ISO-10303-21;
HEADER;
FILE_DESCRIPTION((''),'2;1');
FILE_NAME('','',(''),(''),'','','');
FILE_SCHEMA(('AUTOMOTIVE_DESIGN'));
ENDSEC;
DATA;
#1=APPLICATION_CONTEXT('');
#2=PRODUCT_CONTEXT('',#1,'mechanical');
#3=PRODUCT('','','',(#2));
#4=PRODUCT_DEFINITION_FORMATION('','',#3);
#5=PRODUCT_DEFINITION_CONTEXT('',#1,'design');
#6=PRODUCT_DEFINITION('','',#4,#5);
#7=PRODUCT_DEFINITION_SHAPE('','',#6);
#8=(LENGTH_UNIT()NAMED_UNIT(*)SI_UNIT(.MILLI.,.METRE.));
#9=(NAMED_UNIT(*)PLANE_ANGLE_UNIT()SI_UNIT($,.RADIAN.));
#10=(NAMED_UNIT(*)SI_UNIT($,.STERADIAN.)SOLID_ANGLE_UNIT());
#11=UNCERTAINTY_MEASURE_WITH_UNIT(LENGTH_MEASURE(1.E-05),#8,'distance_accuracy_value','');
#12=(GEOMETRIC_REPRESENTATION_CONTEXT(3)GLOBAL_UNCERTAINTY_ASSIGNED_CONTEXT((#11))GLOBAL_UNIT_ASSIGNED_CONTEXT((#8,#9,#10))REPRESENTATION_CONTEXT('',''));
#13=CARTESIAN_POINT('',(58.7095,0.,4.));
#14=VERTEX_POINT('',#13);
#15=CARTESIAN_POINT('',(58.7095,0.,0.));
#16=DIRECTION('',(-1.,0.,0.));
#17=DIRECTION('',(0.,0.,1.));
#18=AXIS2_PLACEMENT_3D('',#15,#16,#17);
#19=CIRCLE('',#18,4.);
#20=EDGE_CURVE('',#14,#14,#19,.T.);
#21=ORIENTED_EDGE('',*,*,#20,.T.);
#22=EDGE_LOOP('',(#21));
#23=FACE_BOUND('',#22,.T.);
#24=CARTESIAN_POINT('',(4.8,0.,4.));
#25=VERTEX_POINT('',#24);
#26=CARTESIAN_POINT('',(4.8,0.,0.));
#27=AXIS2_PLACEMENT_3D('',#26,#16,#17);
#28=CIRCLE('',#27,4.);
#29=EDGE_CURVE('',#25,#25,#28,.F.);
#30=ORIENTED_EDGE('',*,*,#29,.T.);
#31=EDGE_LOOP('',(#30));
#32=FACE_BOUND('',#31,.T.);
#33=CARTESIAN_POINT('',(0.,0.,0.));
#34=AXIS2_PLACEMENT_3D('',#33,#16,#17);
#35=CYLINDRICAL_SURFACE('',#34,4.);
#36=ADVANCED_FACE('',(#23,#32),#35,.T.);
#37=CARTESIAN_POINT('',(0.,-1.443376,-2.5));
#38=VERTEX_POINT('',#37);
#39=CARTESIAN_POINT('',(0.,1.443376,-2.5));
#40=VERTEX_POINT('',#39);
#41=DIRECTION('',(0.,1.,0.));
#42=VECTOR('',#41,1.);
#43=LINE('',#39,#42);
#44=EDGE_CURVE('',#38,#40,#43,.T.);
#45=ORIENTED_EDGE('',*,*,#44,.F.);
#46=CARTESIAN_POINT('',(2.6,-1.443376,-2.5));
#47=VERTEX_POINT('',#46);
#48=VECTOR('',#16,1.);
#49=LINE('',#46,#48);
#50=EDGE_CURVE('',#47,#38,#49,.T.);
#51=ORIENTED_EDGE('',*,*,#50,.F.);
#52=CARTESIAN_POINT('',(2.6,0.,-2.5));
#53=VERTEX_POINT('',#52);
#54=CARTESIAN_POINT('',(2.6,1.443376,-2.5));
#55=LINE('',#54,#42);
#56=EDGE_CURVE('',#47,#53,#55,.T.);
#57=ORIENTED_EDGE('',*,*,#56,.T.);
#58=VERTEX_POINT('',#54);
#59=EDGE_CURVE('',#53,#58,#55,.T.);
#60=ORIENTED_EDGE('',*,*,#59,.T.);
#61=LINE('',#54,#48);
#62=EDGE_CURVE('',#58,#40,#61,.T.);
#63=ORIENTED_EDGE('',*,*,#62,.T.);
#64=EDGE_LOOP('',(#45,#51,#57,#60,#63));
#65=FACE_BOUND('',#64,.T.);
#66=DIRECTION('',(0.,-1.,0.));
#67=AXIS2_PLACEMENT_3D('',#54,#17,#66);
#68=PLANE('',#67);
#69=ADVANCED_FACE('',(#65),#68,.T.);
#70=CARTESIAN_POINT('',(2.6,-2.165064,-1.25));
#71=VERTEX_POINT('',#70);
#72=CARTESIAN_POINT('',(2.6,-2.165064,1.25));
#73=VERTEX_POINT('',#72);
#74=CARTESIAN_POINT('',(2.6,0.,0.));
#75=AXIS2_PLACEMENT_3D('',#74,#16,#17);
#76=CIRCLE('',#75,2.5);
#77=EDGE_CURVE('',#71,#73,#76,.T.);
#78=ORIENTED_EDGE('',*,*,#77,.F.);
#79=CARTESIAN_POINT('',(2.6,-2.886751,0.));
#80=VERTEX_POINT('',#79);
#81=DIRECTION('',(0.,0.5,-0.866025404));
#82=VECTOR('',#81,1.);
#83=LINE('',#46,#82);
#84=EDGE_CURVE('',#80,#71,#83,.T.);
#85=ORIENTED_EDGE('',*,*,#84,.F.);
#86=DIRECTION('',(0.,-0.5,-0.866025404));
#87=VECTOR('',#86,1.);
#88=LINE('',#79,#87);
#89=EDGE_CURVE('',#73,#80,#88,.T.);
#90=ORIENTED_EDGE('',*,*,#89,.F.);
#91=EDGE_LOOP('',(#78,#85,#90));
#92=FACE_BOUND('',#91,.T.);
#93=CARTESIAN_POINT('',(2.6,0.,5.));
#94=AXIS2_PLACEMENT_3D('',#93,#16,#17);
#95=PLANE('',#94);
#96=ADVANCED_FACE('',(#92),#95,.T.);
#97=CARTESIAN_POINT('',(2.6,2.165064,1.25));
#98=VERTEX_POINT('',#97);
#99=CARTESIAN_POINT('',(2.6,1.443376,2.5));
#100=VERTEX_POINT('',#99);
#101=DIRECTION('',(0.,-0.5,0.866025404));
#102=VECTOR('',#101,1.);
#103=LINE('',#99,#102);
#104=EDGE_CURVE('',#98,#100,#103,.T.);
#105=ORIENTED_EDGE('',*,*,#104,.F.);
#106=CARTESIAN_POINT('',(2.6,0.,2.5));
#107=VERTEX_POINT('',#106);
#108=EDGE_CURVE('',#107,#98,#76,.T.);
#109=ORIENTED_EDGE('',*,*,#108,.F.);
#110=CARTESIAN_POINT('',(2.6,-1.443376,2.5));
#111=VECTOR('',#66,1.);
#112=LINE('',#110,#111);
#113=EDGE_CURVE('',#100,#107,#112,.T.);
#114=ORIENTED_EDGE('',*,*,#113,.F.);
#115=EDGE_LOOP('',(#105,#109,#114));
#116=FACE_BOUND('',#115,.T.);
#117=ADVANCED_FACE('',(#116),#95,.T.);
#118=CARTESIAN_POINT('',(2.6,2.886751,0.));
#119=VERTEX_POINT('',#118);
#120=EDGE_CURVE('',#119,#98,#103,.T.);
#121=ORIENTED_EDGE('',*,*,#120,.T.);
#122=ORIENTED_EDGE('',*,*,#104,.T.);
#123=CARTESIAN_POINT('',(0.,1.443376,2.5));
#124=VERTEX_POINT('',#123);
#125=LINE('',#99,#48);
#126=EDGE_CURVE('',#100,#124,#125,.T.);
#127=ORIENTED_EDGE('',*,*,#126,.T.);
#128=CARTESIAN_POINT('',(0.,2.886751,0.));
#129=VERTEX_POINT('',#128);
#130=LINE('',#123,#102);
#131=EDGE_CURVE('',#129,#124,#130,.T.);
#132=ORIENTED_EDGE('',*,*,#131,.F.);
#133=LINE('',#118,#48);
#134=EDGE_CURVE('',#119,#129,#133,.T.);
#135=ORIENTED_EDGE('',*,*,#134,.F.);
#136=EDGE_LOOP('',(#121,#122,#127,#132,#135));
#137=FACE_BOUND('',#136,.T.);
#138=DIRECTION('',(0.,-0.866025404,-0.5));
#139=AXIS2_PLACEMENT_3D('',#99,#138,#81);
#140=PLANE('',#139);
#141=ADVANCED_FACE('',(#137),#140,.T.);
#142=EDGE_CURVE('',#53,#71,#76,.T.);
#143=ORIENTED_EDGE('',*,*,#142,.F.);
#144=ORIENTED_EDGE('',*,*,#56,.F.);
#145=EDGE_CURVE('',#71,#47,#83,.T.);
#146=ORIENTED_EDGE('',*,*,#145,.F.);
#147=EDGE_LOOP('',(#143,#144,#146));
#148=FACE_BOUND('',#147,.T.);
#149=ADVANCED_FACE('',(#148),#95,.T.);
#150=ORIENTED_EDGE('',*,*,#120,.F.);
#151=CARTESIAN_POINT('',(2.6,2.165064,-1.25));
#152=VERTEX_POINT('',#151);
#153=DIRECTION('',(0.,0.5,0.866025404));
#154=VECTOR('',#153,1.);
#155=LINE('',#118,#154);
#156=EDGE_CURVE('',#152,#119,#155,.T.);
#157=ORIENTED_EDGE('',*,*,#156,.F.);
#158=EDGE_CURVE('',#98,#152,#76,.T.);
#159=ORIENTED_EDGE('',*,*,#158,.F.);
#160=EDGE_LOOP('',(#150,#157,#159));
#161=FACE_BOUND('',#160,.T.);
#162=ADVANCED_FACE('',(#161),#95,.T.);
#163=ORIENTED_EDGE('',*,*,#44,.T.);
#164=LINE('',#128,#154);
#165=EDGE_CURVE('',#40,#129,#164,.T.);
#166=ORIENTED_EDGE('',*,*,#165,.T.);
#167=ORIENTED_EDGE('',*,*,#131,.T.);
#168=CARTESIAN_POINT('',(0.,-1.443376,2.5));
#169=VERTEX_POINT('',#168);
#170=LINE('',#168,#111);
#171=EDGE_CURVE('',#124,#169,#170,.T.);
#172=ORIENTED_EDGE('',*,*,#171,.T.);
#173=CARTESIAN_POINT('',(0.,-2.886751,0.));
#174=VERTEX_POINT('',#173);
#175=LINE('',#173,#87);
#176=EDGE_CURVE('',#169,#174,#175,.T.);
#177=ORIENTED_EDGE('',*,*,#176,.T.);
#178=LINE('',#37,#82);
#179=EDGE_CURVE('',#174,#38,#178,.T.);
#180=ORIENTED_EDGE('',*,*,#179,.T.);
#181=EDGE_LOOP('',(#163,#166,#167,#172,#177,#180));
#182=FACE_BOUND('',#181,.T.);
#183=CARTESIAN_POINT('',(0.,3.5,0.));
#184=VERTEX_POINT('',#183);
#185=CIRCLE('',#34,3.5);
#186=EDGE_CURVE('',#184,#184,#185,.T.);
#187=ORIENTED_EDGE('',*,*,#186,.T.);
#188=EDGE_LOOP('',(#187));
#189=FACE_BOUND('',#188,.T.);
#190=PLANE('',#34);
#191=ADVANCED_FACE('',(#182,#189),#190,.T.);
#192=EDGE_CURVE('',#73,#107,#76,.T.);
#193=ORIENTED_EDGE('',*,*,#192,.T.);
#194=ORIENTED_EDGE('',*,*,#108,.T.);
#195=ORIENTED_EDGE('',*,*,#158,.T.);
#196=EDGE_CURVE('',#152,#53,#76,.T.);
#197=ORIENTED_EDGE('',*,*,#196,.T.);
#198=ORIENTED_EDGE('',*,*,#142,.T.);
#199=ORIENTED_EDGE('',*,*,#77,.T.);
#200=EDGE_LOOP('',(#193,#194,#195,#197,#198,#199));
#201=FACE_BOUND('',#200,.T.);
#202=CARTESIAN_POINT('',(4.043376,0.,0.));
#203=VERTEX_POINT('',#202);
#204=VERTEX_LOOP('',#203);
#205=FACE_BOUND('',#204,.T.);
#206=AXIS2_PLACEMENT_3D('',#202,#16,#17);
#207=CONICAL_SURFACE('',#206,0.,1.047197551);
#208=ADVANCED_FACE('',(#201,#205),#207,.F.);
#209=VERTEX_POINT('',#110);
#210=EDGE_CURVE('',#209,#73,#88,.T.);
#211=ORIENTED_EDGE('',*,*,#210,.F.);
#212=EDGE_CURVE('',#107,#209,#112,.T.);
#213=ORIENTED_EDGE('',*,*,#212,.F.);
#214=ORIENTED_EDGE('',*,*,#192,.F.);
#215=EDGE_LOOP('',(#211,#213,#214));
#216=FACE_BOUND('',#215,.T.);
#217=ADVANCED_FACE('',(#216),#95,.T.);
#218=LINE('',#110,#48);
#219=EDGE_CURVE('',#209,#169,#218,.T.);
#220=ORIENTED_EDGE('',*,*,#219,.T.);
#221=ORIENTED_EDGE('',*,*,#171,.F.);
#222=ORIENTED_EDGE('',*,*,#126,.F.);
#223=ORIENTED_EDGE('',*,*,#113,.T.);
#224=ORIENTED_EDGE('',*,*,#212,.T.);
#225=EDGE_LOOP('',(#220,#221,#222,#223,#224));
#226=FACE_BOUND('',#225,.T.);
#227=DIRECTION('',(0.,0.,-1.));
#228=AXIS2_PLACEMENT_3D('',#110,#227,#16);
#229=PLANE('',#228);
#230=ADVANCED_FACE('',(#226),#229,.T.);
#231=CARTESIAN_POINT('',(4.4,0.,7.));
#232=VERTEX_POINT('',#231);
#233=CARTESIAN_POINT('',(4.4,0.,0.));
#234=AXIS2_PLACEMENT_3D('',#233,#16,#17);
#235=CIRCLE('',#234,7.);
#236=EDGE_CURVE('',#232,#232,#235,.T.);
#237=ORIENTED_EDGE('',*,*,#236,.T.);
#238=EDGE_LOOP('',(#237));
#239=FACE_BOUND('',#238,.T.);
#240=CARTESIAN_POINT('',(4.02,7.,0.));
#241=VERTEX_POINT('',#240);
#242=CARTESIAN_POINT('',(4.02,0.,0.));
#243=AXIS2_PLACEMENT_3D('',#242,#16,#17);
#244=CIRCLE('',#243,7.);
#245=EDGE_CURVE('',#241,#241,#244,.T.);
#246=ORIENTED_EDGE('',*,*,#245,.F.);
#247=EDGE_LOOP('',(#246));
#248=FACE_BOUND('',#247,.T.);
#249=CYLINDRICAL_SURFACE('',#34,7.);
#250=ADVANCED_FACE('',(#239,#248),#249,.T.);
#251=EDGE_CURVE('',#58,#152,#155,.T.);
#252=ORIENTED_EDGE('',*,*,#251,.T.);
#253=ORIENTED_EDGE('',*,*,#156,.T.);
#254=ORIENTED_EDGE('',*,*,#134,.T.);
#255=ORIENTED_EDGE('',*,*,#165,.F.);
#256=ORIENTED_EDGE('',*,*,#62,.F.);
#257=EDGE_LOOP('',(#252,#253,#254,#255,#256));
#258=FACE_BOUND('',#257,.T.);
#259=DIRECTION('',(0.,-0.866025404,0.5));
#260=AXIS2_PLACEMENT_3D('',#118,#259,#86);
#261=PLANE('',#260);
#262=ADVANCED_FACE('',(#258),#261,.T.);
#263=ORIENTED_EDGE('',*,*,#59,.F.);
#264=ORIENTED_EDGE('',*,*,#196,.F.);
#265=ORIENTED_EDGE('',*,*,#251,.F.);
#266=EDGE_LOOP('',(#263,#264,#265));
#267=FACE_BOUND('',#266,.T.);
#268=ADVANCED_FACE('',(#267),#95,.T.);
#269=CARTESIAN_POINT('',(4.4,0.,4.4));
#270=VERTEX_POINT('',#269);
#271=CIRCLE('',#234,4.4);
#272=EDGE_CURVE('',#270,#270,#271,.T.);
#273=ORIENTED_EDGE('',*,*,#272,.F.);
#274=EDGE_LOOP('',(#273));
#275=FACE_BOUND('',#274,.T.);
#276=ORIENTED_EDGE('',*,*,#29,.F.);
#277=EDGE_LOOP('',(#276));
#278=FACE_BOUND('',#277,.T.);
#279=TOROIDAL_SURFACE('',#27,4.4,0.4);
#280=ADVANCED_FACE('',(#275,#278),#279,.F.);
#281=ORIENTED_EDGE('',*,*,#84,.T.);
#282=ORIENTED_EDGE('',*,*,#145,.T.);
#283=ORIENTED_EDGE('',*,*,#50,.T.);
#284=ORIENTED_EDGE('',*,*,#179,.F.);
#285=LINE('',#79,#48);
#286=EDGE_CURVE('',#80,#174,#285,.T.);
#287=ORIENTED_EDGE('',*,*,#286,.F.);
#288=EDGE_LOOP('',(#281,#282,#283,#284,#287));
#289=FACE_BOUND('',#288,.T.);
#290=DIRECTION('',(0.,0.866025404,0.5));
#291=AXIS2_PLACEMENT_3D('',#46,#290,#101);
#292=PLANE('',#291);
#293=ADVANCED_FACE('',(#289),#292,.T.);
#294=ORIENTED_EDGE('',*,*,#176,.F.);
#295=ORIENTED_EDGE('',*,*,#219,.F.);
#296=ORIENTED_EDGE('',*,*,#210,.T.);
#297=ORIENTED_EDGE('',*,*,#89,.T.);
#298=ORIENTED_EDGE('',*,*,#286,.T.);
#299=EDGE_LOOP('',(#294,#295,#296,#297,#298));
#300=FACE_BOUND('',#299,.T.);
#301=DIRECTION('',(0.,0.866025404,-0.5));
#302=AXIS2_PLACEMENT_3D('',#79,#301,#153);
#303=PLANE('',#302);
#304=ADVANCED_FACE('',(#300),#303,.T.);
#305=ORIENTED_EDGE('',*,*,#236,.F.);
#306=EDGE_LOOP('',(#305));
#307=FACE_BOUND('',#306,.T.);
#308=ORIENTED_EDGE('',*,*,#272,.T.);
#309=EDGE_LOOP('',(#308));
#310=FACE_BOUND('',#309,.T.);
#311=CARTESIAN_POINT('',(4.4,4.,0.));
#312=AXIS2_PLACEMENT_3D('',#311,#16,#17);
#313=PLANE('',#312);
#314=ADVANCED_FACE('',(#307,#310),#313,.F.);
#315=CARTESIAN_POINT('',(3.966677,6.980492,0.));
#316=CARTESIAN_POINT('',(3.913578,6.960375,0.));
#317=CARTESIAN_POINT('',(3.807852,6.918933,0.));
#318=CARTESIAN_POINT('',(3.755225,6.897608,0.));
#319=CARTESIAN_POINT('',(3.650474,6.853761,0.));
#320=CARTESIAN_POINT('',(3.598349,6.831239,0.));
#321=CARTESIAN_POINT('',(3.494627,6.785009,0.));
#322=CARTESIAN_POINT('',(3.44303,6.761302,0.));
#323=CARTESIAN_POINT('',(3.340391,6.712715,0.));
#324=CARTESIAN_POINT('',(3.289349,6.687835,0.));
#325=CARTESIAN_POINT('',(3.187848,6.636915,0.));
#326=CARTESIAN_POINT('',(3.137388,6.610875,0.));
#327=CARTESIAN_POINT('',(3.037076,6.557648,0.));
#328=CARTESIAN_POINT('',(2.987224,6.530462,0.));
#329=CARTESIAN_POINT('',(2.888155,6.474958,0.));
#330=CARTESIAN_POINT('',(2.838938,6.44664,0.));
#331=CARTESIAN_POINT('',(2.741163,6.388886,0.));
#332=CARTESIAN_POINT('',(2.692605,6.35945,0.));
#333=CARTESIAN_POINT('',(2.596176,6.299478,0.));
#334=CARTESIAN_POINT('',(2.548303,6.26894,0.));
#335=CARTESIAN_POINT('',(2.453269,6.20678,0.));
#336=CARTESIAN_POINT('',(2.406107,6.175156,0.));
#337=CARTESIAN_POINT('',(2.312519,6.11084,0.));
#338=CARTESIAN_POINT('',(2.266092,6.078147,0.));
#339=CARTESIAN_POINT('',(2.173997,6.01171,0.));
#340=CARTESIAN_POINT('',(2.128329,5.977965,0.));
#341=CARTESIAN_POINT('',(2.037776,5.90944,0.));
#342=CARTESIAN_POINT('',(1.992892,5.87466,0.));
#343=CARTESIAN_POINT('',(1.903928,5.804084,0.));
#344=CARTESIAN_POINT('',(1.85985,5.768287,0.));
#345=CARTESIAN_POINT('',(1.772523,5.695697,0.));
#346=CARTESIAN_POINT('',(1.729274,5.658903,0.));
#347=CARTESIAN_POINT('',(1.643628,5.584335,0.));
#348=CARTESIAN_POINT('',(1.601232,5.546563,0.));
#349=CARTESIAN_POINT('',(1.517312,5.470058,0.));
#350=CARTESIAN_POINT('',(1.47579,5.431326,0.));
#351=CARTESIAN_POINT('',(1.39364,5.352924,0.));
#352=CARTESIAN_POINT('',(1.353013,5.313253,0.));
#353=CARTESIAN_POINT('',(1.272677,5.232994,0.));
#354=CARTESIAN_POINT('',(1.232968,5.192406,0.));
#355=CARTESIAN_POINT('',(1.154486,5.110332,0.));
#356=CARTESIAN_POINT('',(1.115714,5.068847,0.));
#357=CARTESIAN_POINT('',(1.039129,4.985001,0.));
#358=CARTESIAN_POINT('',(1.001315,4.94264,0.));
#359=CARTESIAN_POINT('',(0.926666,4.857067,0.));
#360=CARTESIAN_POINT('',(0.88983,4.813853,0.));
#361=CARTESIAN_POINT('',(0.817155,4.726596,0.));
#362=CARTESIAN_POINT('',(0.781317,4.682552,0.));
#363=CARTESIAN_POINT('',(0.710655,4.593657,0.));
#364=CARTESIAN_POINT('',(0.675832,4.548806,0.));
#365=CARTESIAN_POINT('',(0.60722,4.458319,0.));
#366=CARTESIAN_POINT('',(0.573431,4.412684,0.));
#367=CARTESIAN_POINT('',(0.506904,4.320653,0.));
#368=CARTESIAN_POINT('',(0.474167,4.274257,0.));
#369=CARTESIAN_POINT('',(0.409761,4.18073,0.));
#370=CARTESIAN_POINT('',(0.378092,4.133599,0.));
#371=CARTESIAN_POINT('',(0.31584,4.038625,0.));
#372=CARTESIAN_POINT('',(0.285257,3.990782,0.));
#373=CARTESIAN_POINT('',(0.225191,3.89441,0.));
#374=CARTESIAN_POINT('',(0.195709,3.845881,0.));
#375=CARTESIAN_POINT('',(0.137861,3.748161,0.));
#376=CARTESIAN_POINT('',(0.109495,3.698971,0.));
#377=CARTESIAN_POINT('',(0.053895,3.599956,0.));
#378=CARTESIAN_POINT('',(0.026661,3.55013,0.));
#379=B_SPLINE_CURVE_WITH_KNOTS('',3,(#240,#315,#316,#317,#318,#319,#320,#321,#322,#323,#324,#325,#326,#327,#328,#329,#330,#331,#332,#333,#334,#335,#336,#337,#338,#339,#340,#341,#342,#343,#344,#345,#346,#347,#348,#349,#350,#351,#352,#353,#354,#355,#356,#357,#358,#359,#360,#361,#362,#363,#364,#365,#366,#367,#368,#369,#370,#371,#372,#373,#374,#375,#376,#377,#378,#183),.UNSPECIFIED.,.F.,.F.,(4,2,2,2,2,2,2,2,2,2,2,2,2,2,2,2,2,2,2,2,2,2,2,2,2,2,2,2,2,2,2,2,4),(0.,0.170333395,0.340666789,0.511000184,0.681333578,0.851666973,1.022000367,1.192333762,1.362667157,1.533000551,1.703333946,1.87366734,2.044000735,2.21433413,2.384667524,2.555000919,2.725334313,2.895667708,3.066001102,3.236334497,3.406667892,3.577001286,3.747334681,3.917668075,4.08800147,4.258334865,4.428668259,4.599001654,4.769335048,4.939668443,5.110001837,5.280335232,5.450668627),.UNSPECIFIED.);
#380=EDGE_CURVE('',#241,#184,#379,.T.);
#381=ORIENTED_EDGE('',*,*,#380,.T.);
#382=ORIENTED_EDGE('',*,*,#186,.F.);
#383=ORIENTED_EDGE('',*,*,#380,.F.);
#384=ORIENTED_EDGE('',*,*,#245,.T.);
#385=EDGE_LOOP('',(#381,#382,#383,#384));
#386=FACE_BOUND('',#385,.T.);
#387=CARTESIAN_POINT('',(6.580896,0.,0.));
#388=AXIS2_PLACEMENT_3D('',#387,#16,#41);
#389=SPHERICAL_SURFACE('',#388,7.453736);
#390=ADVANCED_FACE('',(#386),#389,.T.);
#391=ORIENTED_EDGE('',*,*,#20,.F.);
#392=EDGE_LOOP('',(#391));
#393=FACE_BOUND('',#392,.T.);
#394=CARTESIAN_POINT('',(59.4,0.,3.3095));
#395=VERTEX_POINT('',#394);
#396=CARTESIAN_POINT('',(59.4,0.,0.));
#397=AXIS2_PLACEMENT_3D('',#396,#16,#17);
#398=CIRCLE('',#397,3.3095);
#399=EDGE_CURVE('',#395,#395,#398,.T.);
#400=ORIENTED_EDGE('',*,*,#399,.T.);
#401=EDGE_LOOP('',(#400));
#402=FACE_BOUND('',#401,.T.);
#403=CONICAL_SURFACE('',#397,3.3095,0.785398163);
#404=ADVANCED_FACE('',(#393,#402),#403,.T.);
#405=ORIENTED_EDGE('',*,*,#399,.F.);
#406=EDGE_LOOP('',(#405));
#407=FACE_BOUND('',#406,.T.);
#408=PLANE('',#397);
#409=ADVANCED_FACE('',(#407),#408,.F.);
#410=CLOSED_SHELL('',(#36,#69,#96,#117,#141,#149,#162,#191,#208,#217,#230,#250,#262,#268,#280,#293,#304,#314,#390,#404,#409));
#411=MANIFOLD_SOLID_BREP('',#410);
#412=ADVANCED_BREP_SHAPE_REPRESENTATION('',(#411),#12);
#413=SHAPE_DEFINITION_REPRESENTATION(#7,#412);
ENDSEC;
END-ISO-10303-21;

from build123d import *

# Parameters (mm, degrees)
FILLET1_R   = 0.4
HEX_2_DEPTH = 2.6


with BuildPart() as part:
    # BodySke → BaseBody (revolve)
    with BuildSketch(Plane.XY, mode=Mode.PRIVATE) as basebody_sk:
        with BuildLine():
            Line((59.4, 0), (59.4, 3.3095))
            Line((59.4, 3.3095), (58.7095, 4))
            Line((58.7095, 4), (4.4, 4))
            Line((4.4, 4), (4.4, 7))
            Line((4.4, 7), (4.02, 7))
            ThreePointArc((4.02, 7), (1.686451133, 5.621618984), (0, 3.5))
            Line((0, 3.5), (0, 0))
            Line((0, 0), (59.4, 0))
        make_face()
    revolve(basebody_sk.sketch.rotate(Axis((0, 0, 0), (1, 0, 0)), 90), axis=Axis((0, 0, 0), (1, 0, 0)))

    # Fillet1
    fillet1_edges = [part.edges().sort_by_distance(p)[0] for p in [
        (4.4, 0, -4),
    ]]
    fillet(fillet1_edges, radius=FILLET1_R)

    # Sketch2 → PreBroach (revolve, cut)
    with BuildSketch(Plane.XY, mode=Mode.PRIVATE) as prebroach_sk:
        Polygon((0, 2.5), (2.6, 2.5), (4.043375673, 0), (0, 0), align=None)
    revolve(prebroach_sk.sketch.rotate(Axis((0, 0, 0), (1, 0, 0)), 90), axis=Axis((0, 0, 0), (1, 0, 0)), mode=Mode.SUBTRACT)

    # Sketch3 → Hex 2 (cut)
    with BuildSketch(Plane(origin=(0, 0, 0), x_dir=(0, 0, -1), z_dir=(1, 0, 0))):
        Polygon((-2.5, -1.443375673), (-2.5, 1.443375673), (0, 2.886751346), (2.5, 1.443375673), (2.5, -1.443375673), (0, -2.886751346), align=None)
    extrude(amount=HEX_2_DEPTH, mode=Mode.SUBTRACT)


solid = part.part
